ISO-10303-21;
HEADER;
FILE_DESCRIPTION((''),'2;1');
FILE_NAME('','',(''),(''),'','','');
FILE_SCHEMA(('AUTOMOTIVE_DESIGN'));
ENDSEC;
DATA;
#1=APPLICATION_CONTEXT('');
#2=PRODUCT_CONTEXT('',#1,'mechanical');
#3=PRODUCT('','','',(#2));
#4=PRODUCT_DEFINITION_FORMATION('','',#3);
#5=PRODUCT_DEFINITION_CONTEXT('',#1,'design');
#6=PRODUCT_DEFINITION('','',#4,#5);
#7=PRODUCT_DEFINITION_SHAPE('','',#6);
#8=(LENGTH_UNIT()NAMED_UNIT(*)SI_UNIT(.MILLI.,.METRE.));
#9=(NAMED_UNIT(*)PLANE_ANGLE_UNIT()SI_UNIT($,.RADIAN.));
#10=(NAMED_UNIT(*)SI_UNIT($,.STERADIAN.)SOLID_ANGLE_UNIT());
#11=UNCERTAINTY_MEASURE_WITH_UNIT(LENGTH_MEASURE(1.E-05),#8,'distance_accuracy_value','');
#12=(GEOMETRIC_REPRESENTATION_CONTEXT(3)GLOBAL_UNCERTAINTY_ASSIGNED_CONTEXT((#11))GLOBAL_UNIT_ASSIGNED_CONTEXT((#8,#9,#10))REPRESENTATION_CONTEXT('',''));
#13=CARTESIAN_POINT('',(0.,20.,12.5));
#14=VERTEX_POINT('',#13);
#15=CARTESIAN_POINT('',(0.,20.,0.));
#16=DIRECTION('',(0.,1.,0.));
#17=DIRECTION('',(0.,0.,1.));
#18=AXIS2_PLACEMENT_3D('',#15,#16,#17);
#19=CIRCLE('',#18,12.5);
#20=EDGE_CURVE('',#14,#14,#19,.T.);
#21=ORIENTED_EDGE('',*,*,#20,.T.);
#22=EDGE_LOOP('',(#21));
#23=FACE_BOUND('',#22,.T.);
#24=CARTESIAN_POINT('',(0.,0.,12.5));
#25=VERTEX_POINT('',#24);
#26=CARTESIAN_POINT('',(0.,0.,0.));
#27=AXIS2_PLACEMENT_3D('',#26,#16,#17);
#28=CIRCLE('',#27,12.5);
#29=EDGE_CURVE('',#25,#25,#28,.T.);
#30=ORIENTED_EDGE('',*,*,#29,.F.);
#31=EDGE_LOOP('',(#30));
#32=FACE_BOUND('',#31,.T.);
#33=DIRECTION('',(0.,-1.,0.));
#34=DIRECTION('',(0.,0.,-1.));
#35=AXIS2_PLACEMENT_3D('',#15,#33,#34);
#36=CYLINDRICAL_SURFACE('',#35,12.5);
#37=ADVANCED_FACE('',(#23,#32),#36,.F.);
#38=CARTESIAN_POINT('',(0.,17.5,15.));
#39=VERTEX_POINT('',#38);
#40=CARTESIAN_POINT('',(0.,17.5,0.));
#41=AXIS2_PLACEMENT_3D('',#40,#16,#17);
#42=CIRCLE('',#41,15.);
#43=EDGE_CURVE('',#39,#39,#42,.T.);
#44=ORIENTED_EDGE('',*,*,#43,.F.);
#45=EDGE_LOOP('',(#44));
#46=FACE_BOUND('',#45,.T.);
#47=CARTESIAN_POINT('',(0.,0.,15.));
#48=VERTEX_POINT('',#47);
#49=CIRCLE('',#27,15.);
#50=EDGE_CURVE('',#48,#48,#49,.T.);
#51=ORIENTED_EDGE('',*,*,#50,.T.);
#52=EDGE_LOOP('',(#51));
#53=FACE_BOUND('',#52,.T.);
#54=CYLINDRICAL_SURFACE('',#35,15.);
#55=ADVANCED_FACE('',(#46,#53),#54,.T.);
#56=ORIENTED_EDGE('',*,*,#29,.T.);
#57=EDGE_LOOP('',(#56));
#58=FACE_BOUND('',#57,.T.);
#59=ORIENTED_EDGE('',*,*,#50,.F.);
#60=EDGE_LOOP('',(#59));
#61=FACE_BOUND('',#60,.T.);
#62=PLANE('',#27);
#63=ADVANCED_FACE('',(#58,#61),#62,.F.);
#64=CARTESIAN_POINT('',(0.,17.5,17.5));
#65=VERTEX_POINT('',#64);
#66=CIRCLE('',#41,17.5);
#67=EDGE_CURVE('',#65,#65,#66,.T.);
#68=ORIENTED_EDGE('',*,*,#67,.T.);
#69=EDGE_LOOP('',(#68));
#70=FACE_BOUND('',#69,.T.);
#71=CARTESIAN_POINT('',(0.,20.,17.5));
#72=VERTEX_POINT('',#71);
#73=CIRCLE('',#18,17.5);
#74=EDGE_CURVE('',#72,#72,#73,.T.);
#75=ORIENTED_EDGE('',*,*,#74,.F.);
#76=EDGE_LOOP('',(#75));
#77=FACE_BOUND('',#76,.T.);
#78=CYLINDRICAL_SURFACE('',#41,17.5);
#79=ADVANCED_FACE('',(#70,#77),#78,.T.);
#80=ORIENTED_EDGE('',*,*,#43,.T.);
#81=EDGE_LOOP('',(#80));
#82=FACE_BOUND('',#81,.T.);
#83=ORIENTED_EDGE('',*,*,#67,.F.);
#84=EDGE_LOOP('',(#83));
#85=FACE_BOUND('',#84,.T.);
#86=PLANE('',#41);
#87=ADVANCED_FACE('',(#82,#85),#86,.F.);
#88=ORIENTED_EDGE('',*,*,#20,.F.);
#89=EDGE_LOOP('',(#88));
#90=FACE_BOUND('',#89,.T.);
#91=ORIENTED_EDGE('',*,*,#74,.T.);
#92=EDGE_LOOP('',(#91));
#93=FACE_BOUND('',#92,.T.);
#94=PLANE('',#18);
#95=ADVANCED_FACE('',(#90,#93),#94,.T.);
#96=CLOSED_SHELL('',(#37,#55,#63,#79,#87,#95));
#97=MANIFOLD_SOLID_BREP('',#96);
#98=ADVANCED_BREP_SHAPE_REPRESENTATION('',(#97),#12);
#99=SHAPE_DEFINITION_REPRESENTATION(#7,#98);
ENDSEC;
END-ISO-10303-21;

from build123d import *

# Parameters (mm, degrees)
SKETCH1_R           = 15
SKETCH1_R_2         = 12.5
BOSS_EXTRUDE1_DEPTH = 20
BOSS_EXTRUDE2_START = -2.5
SKETCH2_R           = 17.5
SKETCH2_R_2         = 15
BOSS_EXTRUDE2_DEPTH = 2.5


with BuildPart() as part:
    # Sketch1 → Boss-Extrude1 (new body)
    with BuildSketch(Plane(origin=(0, 0, 0), x_dir=(1, 0, 0), z_dir=(0, 1, 0))):
        with Locations(Location((0, 0, 0), (0, 0, 270))):
            Circle(SKETCH1_R)
        with Locations(Location((0, 0, 0), (0, 0, 270))):
            Circle(SKETCH1_R_2, mode=Mode.SUBTRACT)
    extrude(amount=BOSS_EXTRUDE1_DEPTH)

    # Sketch2 → Boss-Extrude2 (add)
    with BuildSketch(Plane(origin=(0, 20, 0), x_dir=(1, 0, 0), z_dir=(0, 1, 0)).offset(BOSS_EXTRUDE2_START)):
        with Locations(Location((0, 0, 0), (0, 0, 270))):
            Circle(SKETCH2_R)
        with Locations(Location((0, 0, 0), (0, 0, 270))):
            Circle(SKETCH2_R_2, mode=Mode.SUBTRACT)
    extrude(amount=BOSS_EXTRUDE2_DEPTH)


solid = part.part
